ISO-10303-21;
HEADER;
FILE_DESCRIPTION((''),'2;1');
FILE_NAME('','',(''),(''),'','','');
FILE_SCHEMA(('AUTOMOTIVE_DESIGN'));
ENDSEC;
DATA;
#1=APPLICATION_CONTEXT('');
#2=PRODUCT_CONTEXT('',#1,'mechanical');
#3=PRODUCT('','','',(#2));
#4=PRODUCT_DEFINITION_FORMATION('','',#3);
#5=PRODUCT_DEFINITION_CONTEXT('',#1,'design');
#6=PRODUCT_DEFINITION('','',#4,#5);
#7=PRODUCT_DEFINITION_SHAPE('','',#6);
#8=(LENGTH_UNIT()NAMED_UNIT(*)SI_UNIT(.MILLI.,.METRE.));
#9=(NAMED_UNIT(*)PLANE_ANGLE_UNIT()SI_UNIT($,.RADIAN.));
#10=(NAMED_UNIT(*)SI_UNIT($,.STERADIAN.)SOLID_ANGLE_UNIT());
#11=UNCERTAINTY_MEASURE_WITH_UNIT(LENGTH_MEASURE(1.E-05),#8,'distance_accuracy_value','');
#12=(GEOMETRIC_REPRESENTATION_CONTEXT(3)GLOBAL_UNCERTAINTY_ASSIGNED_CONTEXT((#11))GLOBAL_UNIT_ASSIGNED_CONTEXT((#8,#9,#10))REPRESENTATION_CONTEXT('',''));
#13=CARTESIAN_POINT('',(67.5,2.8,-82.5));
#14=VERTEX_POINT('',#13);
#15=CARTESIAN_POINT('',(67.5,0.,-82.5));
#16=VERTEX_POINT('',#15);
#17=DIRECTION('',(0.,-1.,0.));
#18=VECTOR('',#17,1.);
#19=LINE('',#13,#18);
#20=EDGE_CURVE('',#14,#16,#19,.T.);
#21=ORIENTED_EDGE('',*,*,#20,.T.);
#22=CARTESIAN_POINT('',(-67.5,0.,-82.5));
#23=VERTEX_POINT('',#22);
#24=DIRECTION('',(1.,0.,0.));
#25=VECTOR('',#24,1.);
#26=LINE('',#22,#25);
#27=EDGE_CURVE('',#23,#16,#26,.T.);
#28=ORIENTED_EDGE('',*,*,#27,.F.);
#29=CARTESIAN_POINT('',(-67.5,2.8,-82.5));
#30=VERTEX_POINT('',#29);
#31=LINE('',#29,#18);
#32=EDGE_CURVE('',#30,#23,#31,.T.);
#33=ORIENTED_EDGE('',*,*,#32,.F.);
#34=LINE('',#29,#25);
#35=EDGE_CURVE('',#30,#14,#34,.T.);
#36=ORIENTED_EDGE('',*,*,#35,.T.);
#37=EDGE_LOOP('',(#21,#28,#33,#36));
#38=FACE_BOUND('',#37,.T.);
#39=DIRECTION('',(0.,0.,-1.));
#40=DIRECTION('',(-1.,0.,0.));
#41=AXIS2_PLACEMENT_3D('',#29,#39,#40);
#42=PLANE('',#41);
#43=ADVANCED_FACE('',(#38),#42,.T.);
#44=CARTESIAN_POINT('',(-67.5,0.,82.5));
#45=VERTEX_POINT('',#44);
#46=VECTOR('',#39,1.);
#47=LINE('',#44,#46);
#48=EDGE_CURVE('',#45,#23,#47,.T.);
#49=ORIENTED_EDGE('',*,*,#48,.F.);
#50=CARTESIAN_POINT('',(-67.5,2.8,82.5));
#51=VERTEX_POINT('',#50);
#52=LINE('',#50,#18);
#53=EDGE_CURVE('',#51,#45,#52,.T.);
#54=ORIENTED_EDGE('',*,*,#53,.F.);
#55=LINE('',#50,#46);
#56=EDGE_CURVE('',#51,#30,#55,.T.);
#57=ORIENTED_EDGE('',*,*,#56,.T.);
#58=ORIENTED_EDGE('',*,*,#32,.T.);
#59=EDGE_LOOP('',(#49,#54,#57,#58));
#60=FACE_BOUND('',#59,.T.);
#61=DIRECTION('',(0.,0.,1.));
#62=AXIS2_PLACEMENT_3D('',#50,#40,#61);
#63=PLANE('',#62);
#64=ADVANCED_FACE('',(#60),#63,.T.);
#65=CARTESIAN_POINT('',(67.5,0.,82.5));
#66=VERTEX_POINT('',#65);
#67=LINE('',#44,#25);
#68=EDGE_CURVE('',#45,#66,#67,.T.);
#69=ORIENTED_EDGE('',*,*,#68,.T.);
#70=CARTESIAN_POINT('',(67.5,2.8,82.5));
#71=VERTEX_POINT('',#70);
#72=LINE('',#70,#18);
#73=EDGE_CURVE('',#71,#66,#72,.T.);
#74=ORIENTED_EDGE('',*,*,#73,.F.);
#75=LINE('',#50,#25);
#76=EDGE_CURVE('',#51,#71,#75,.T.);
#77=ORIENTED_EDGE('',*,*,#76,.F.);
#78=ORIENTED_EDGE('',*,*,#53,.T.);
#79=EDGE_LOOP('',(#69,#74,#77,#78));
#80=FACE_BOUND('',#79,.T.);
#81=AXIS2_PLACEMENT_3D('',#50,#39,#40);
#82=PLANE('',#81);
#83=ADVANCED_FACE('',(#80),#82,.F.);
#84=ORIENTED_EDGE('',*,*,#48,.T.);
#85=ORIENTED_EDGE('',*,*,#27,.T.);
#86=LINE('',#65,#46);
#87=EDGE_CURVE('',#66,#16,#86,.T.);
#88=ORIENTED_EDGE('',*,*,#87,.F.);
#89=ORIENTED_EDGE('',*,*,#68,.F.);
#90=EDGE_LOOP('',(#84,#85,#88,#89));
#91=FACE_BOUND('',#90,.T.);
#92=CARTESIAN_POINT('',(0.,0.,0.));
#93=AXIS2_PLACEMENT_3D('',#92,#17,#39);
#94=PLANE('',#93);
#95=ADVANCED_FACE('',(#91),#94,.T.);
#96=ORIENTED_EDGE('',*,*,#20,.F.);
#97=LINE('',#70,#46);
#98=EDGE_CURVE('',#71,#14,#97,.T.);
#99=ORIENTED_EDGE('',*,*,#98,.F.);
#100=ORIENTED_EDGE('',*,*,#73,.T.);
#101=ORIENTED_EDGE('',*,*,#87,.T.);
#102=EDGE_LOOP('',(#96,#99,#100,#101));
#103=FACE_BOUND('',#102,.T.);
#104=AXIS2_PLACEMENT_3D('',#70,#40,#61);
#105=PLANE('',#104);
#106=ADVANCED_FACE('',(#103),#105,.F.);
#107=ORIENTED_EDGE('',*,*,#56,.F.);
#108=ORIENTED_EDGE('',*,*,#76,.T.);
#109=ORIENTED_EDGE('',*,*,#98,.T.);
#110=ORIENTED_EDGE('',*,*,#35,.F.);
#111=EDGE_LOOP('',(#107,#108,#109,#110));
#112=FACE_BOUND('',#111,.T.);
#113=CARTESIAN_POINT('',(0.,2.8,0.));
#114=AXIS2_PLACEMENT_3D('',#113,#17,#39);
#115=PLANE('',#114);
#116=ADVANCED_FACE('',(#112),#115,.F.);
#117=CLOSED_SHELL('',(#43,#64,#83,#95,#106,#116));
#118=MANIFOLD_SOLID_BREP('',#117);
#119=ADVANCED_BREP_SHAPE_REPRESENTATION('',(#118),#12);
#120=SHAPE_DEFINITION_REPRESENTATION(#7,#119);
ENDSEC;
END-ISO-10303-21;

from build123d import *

# Parameters (mm, degrees)
SKETCH1_W           = 135
SKETCH1_H           = 165
BOSS_EXTRUDE1_DEPTH = 2.8


with BuildPart() as part:
    # Sketch1 → Boss-Extrude1 (new body)
    with BuildSketch(Plane(origin=(0, 0, 0), x_dir=(1, 0, 0), z_dir=(0, 1, 0))):
        Rectangle(SKETCH1_W, SKETCH1_H)
    extrude(amount=BOSS_EXTRUDE1_DEPTH)


solid = part.part
